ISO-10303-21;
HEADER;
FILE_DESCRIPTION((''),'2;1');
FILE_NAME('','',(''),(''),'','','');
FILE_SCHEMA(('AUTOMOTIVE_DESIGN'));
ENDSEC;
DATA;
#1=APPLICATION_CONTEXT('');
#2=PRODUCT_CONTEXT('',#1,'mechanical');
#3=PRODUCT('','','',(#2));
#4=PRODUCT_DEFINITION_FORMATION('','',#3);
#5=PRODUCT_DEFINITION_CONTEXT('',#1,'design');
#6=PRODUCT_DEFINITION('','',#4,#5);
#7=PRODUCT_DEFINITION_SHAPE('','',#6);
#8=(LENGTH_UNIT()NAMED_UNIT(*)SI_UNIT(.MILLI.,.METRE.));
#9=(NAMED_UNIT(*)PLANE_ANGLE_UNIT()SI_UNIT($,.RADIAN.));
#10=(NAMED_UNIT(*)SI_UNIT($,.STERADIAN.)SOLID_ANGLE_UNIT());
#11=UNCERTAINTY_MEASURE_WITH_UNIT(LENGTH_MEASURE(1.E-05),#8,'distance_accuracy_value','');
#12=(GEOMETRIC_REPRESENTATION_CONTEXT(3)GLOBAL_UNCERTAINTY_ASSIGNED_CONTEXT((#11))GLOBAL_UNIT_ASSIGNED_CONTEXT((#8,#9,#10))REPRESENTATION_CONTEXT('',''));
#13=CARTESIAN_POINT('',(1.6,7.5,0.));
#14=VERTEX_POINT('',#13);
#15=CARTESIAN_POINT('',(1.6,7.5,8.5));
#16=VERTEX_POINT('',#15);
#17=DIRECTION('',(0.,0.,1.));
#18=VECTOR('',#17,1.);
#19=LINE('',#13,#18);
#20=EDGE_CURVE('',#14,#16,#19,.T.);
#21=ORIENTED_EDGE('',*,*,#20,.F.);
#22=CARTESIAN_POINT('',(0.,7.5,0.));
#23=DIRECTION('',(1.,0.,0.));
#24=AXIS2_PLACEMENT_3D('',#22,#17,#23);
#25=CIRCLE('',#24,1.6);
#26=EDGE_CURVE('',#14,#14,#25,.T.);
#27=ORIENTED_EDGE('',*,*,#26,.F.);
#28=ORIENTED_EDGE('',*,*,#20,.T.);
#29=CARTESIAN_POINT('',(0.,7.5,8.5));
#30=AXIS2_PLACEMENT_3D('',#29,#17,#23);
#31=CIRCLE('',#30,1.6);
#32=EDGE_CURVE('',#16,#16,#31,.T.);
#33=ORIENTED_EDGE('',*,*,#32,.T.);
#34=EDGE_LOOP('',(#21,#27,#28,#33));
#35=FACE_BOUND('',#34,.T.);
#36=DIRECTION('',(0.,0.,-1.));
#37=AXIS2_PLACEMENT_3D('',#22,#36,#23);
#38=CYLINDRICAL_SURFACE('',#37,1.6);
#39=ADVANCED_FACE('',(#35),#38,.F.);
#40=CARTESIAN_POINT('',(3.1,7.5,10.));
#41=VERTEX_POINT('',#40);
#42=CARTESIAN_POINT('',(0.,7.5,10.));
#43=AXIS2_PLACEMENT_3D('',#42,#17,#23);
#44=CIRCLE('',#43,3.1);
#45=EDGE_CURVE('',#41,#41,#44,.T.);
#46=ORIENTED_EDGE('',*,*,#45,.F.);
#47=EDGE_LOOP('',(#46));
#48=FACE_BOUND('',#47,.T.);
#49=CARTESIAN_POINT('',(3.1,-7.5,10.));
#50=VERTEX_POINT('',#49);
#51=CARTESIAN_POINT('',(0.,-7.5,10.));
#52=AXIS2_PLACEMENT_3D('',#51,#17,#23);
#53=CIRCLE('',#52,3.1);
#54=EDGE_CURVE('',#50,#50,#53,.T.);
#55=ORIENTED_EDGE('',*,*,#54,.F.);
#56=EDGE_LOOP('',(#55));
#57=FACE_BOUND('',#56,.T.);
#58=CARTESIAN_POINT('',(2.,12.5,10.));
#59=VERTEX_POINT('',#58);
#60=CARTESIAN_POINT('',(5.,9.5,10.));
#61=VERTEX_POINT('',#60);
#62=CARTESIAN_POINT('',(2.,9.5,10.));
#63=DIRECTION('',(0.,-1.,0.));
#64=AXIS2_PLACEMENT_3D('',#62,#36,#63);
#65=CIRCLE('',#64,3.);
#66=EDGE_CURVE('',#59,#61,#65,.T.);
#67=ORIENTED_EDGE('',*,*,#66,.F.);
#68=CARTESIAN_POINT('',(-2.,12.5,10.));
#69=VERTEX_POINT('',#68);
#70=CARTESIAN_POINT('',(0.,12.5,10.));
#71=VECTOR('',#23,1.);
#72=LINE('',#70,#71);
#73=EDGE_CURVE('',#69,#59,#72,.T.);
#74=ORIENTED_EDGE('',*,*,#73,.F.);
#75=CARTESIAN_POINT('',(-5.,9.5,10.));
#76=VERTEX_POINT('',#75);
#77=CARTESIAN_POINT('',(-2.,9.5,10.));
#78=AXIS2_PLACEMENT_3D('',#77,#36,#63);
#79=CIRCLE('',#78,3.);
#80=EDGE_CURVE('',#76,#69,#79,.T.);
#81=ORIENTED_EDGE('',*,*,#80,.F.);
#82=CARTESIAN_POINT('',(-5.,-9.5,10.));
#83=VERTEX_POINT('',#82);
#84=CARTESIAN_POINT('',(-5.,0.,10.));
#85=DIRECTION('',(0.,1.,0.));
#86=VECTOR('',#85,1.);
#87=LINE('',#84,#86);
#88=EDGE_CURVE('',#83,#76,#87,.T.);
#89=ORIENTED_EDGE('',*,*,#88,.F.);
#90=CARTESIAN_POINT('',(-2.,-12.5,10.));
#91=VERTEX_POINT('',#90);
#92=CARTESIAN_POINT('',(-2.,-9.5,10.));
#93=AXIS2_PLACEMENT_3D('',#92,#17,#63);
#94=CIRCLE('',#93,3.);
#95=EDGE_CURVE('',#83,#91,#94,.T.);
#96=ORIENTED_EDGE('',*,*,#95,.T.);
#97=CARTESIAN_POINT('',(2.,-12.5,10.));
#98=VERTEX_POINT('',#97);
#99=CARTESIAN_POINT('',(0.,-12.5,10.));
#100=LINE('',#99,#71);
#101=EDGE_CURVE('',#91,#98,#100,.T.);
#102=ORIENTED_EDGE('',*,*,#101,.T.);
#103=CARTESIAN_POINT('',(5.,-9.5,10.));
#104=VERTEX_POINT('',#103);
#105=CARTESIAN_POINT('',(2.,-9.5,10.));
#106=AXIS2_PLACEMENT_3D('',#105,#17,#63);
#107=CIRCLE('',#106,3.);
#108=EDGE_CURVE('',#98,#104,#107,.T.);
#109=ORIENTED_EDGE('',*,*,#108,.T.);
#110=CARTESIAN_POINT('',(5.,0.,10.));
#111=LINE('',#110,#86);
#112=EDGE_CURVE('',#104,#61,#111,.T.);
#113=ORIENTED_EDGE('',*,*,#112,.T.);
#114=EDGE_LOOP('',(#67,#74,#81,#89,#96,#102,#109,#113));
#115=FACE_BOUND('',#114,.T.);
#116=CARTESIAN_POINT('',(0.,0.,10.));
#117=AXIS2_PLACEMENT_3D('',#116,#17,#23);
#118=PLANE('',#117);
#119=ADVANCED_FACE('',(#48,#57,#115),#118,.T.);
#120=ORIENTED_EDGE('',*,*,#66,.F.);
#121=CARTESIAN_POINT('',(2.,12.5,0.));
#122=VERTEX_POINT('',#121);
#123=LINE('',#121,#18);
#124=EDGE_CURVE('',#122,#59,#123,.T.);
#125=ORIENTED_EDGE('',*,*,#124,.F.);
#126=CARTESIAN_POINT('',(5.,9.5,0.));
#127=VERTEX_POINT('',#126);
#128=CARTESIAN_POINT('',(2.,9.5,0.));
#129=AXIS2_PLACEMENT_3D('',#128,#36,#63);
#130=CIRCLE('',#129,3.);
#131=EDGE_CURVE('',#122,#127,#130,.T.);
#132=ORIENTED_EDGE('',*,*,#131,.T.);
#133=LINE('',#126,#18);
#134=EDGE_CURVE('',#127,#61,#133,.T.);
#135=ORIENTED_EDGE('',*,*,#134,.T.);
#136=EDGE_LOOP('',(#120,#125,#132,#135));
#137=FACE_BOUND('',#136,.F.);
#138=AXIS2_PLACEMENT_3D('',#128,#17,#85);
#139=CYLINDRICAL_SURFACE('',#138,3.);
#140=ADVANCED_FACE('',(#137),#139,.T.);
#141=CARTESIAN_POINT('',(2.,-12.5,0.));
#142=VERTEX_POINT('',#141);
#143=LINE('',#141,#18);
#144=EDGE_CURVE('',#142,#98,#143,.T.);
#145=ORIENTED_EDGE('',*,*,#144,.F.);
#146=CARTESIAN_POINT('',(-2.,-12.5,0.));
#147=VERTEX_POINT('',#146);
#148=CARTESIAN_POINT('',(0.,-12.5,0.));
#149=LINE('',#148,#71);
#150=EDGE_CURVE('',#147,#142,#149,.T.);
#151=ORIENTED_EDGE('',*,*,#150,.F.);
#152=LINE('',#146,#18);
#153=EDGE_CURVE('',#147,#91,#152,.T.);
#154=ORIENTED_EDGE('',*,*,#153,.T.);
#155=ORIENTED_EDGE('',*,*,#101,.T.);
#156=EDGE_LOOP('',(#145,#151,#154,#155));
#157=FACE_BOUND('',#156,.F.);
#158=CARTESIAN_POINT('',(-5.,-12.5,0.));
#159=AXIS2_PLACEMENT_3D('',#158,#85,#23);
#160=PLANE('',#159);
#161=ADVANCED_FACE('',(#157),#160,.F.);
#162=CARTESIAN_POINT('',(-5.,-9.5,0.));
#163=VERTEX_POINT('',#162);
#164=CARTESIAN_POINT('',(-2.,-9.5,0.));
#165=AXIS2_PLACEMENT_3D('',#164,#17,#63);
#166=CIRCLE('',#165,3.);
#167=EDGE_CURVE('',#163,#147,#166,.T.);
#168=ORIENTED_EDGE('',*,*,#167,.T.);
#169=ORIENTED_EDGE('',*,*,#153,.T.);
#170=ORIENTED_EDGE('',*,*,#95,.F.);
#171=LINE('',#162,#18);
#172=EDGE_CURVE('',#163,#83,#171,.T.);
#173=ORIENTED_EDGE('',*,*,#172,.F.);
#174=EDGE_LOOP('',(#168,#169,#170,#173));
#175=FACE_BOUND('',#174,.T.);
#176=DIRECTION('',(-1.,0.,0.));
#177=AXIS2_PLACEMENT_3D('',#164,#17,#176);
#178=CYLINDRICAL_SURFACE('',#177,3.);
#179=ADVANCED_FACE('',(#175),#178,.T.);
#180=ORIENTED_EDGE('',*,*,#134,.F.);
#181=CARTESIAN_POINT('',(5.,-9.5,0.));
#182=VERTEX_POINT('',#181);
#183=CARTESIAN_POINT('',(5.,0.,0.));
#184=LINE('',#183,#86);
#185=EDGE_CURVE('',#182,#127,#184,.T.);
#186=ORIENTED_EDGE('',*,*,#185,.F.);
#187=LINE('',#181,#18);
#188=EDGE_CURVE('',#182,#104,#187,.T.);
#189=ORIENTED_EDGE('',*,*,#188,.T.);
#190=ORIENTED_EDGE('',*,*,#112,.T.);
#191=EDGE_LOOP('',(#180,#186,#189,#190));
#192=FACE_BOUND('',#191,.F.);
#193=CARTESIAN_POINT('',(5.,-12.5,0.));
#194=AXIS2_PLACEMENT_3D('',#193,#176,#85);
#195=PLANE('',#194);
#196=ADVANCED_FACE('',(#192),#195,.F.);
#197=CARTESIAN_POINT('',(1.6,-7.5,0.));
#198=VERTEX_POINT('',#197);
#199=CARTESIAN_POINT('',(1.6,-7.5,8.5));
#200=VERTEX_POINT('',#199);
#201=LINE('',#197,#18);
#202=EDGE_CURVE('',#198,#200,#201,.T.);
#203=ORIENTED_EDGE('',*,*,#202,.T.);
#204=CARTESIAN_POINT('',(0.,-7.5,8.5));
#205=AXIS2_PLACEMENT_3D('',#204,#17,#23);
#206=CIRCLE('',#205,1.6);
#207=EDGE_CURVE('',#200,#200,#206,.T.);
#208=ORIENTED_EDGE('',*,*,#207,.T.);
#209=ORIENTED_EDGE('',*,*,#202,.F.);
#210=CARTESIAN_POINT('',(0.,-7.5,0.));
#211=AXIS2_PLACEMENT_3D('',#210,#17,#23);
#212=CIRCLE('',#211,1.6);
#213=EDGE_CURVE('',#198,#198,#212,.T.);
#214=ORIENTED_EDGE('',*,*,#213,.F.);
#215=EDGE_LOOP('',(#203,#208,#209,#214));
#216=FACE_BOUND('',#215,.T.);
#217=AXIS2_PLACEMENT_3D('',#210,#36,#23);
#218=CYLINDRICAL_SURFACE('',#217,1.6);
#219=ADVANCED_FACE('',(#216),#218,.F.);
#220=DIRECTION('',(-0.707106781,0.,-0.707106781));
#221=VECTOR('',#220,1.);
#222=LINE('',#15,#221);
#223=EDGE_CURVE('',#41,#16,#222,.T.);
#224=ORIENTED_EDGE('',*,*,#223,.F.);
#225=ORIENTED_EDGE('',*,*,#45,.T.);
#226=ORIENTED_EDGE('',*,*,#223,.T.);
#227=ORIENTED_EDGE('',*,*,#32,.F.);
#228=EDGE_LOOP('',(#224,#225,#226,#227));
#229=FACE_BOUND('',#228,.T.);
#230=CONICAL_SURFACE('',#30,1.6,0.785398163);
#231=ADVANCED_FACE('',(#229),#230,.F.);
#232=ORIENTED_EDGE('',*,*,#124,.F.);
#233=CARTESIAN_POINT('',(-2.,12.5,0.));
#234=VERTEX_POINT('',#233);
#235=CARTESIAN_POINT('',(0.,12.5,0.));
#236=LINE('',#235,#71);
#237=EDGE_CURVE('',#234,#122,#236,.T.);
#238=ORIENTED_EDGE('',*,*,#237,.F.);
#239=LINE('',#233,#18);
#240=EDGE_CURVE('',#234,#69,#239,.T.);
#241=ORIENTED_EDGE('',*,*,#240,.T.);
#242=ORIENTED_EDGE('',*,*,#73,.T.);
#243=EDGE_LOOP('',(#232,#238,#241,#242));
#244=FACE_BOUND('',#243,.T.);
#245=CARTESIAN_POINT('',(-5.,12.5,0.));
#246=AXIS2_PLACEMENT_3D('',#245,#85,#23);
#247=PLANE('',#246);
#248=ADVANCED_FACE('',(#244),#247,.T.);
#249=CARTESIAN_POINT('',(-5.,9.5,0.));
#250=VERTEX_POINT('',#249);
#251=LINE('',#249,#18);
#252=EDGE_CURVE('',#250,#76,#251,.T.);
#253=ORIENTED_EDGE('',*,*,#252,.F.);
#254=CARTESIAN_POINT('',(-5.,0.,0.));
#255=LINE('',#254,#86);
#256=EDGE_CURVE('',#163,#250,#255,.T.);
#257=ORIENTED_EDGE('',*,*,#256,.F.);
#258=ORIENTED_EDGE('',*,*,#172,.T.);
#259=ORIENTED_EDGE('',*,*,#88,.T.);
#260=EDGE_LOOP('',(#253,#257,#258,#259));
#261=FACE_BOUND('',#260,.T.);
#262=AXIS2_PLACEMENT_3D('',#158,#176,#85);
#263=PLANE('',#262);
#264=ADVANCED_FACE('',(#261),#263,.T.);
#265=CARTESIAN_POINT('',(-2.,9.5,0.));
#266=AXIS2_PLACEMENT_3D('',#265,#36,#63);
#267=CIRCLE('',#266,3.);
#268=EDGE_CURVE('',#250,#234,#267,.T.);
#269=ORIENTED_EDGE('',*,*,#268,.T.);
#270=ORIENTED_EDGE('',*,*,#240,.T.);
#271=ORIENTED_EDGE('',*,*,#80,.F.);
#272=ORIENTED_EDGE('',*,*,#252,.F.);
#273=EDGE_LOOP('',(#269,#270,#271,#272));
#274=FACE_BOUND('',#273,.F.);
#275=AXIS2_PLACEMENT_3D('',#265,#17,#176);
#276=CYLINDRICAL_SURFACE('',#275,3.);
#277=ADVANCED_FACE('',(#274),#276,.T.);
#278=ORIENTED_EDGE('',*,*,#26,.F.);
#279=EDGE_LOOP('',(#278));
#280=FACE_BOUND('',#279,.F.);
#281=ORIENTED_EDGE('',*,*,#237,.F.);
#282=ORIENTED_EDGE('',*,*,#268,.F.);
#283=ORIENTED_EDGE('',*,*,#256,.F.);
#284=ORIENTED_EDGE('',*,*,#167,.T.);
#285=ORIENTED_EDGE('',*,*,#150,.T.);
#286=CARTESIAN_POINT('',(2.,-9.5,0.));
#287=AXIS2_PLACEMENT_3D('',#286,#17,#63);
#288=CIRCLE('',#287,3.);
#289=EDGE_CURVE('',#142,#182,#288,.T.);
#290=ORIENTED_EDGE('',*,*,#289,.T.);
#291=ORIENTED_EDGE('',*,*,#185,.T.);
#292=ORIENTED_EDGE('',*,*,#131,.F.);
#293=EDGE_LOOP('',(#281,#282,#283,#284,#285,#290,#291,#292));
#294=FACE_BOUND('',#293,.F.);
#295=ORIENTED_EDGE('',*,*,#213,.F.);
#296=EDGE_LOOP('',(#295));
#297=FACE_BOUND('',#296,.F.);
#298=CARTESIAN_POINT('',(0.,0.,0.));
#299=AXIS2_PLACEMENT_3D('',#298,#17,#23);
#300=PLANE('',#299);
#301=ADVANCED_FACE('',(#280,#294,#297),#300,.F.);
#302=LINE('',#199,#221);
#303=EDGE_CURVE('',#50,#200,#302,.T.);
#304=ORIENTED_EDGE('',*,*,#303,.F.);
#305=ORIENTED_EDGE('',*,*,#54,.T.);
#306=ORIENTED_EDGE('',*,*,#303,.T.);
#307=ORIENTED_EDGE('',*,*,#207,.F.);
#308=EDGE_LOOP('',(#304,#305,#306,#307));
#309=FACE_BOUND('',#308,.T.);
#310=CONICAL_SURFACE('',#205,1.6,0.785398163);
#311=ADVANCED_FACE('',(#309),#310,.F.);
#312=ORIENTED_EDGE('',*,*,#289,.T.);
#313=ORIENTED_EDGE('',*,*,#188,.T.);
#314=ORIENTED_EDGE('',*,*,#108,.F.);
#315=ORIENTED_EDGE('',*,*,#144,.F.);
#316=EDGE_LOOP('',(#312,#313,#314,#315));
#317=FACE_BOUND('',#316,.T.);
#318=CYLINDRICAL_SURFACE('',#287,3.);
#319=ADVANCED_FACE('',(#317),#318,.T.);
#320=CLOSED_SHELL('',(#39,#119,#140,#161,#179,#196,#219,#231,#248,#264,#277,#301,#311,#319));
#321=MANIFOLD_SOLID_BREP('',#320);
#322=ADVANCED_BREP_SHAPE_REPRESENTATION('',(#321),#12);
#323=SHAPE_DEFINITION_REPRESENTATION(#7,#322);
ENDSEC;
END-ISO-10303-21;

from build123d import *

# Parameters (mm, degrees)
F0_W     = 10
F0_H     = 25
F0_R     = 1.6
F1_DEPTH = 10
F2_R     = 3
F3_SIZE  = 1.5


with BuildPart() as f1:
    # F0 (on Top) → F1 (new body)
    with BuildSketch(Plane.XY):
        Rectangle(F0_W, F0_H)
        with Locations((0, -7.5)):
            Circle(F0_R, mode=Mode.SUBTRACT)
        with Locations((0, 7.5)):
            Circle(F0_R, mode=Mode.SUBTRACT)
    extrude(amount=F1_DEPTH)

    # F2
    f2_edges = [f1.edges().sort_by_distance(p)[0] for p in [
        (-5, 12.5, 5),
        (-5, -12.5, 5),
        (5, -12.5, 5),
        (5, 12.5, 5),
    ]]
    fillet(f2_edges, radius=F2_R)

    # F3
    f3_edges = [f1.edges().sort_by_distance(p)[0] for p in [
        (-1.6, 7.5, 10),
        (-1.6, -7.5, 10),
    ]]
    chamfer(f3_edges, length=F3_SIZE)


solid = f1.part
